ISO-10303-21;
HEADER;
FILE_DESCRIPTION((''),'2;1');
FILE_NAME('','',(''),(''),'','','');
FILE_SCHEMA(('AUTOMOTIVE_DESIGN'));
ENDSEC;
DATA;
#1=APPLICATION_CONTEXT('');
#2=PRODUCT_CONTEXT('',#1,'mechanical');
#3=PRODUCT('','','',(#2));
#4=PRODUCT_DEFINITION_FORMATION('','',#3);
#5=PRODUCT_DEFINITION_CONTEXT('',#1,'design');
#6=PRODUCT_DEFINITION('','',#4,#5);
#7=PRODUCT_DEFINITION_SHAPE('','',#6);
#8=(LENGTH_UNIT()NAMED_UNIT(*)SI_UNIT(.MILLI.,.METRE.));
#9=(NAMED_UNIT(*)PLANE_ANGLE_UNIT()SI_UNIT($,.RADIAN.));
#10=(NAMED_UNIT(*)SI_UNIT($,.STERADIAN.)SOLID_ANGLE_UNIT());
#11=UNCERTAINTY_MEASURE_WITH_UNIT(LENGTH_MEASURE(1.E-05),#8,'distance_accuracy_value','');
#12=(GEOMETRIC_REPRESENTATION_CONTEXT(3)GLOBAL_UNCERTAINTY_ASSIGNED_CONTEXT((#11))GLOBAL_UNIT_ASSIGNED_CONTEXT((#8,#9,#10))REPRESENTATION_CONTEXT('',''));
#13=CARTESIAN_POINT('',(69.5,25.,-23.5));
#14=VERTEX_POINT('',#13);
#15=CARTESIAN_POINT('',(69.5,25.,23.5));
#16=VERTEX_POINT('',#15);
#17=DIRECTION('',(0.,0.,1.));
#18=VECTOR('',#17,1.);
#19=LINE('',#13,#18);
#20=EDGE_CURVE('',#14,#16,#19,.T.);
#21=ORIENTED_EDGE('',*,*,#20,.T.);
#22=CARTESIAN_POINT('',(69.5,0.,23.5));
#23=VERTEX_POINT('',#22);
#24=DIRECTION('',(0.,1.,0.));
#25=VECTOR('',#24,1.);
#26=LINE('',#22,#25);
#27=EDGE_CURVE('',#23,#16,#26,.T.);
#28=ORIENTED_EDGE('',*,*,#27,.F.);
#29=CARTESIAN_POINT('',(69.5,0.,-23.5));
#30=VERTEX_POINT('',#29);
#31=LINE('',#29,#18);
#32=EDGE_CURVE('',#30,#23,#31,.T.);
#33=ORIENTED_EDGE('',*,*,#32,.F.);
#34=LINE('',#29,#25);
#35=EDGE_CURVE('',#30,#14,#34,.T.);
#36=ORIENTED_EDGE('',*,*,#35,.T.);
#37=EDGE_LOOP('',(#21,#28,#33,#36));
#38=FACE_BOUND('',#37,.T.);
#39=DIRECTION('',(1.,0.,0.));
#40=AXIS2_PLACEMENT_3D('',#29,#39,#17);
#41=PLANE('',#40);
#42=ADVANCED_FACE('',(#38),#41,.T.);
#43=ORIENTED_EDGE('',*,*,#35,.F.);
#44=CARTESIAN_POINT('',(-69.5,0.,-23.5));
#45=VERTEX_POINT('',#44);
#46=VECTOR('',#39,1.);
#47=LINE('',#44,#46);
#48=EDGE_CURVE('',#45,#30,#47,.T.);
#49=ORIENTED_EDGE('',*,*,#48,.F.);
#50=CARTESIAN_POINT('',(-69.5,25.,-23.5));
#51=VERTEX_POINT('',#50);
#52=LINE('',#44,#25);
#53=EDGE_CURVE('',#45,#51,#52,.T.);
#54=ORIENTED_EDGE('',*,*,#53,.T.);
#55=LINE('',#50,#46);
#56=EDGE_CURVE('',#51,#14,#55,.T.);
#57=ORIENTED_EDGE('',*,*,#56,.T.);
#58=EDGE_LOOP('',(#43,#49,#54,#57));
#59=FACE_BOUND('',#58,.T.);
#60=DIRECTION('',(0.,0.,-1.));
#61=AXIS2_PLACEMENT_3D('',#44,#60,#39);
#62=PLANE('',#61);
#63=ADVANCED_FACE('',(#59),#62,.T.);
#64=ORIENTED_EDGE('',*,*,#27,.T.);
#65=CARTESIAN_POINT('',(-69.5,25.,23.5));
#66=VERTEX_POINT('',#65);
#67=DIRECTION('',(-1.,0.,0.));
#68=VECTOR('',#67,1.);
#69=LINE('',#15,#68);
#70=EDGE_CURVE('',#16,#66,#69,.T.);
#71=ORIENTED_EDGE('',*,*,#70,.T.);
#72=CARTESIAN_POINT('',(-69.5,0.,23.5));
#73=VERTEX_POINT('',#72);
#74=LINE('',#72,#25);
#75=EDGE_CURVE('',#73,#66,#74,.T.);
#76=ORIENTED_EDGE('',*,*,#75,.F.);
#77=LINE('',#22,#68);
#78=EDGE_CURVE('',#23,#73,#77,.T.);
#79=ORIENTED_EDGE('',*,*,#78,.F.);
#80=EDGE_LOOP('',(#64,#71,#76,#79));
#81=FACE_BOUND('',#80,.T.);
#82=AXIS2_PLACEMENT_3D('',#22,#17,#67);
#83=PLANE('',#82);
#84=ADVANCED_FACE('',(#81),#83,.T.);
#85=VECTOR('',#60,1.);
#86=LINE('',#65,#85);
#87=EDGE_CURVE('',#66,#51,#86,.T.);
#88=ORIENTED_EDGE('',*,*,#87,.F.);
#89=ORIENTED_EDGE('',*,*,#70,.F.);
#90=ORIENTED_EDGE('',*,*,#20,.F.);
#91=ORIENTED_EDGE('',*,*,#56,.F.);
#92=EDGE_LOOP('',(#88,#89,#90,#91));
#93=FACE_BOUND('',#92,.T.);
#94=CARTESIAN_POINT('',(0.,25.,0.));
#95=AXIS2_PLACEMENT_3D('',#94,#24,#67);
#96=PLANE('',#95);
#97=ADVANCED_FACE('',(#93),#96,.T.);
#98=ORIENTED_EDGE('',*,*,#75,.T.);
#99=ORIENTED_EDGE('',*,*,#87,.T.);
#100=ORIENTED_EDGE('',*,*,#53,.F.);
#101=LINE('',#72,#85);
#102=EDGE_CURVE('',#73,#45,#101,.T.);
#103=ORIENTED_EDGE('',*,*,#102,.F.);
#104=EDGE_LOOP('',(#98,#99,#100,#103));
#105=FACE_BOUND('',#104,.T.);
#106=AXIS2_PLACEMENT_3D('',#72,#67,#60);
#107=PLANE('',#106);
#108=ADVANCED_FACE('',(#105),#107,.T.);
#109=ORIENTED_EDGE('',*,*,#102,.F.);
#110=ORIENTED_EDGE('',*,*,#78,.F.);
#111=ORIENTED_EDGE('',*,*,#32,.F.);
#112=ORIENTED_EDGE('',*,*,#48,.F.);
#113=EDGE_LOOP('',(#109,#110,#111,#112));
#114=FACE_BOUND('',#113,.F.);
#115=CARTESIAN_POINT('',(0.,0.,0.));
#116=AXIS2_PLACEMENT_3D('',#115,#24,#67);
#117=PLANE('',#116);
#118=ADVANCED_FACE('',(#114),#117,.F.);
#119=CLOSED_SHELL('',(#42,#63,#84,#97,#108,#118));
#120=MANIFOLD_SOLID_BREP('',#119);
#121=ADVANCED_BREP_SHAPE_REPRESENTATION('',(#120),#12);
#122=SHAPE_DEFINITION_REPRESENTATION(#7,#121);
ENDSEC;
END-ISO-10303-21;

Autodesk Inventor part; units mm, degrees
ref_plane "YZ Plane" through (0, 0, 0) normal (1, 0, 0) x (0, 1, 0)
ref_plane "XZ Plane" through (0, 0, 0) normal (0, 1, 0) x (-1, 0, 0)
ref_plane "XY Plane" through (0, 0, 0) normal (0, 0, 1) x (1, 0, 0)
sketch "Esquisse1" plane through (0, 0, 0) normal (0, 1, 0) x (-1, 0, 0)
  line L0 (-69.5, 23.5) -> (69.5, 23.5)
  line L1 (69.5, 23.5) -> (69.5, -23.5)
  line L2 (69.5, -23.5) -> (-69.5, -23.5)
  line L3 (-69.5, -23.5) -> (-69.5, 23.5)
  point P0 (0, 0)
  dimension "d0" = 139
  dimension "d1" = 47
  dimension "d2" = 23.5
  dimension "d3" = 69.5
extrude "Extrusion1" add sketch "Esquisse1" along normal blind 25
equation "\"d2\" = 0.5 * d1"
equation "\"d3\" = 0.5 * d0"
properties part number "lipo2s"
